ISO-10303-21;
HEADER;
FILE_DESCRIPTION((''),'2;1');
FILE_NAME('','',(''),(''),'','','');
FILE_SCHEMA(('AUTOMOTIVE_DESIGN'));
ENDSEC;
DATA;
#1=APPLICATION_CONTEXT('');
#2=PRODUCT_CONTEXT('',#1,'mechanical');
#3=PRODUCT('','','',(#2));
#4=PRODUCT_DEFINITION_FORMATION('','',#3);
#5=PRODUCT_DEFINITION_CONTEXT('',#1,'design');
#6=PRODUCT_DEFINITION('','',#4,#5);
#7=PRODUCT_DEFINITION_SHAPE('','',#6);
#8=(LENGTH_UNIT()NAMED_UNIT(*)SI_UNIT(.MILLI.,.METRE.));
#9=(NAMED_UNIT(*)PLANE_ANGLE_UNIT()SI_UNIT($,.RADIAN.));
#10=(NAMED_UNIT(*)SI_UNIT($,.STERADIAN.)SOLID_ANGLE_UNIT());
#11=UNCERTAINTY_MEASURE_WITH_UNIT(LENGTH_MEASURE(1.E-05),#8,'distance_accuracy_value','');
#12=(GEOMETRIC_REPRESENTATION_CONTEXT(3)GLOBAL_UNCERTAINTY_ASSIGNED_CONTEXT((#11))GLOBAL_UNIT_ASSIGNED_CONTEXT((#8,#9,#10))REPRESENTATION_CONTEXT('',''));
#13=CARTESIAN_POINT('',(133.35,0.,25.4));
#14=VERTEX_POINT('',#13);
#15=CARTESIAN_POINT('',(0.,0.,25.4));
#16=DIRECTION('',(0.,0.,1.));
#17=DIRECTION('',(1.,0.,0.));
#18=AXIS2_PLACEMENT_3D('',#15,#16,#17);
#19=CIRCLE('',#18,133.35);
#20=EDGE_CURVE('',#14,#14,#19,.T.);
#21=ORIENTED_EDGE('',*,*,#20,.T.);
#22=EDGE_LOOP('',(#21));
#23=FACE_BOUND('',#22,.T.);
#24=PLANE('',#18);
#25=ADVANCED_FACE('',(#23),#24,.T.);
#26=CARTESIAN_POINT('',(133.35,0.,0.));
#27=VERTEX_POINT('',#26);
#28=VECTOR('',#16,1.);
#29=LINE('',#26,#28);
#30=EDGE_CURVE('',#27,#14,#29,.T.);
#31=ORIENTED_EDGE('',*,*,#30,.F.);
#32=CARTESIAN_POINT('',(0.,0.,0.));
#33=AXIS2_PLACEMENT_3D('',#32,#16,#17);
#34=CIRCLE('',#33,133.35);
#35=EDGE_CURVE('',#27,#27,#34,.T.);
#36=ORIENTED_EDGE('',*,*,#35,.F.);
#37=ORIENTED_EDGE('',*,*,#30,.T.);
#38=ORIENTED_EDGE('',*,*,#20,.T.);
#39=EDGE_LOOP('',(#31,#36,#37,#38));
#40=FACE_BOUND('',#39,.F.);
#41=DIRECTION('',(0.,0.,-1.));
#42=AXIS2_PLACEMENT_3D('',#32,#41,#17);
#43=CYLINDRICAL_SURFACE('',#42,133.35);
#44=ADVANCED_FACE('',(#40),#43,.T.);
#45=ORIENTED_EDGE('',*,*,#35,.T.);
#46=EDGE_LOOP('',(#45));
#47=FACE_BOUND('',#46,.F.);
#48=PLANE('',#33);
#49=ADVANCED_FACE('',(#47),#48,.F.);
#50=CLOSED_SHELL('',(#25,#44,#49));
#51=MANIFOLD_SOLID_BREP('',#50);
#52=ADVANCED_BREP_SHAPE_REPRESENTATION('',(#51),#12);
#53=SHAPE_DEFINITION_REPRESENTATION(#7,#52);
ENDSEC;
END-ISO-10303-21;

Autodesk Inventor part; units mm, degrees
ref_plane "YZ Plane" through (0, 0, 0) normal (1, 0, 0) x (0, 1, 0)
ref_plane "XZ Plane" through (0, 0, 0) normal (0, 1, 0) x (-1, 0, 0)
ref_plane "XY Plane" through (0, 0, 0) normal (0, 0, 1) x (1, 0, 0)
sketch "Sketch1" plane through (0, 0, 0) normal (0, 0, 1) x (1, 0, 0)
  circle A0 centre (0, 0) radius 133.35
  dimension "d0" = 266.7
extrude "Extrusion1" add sketch "Sketch1" along normal blind 25.4
properties part number "11 inch bed"
